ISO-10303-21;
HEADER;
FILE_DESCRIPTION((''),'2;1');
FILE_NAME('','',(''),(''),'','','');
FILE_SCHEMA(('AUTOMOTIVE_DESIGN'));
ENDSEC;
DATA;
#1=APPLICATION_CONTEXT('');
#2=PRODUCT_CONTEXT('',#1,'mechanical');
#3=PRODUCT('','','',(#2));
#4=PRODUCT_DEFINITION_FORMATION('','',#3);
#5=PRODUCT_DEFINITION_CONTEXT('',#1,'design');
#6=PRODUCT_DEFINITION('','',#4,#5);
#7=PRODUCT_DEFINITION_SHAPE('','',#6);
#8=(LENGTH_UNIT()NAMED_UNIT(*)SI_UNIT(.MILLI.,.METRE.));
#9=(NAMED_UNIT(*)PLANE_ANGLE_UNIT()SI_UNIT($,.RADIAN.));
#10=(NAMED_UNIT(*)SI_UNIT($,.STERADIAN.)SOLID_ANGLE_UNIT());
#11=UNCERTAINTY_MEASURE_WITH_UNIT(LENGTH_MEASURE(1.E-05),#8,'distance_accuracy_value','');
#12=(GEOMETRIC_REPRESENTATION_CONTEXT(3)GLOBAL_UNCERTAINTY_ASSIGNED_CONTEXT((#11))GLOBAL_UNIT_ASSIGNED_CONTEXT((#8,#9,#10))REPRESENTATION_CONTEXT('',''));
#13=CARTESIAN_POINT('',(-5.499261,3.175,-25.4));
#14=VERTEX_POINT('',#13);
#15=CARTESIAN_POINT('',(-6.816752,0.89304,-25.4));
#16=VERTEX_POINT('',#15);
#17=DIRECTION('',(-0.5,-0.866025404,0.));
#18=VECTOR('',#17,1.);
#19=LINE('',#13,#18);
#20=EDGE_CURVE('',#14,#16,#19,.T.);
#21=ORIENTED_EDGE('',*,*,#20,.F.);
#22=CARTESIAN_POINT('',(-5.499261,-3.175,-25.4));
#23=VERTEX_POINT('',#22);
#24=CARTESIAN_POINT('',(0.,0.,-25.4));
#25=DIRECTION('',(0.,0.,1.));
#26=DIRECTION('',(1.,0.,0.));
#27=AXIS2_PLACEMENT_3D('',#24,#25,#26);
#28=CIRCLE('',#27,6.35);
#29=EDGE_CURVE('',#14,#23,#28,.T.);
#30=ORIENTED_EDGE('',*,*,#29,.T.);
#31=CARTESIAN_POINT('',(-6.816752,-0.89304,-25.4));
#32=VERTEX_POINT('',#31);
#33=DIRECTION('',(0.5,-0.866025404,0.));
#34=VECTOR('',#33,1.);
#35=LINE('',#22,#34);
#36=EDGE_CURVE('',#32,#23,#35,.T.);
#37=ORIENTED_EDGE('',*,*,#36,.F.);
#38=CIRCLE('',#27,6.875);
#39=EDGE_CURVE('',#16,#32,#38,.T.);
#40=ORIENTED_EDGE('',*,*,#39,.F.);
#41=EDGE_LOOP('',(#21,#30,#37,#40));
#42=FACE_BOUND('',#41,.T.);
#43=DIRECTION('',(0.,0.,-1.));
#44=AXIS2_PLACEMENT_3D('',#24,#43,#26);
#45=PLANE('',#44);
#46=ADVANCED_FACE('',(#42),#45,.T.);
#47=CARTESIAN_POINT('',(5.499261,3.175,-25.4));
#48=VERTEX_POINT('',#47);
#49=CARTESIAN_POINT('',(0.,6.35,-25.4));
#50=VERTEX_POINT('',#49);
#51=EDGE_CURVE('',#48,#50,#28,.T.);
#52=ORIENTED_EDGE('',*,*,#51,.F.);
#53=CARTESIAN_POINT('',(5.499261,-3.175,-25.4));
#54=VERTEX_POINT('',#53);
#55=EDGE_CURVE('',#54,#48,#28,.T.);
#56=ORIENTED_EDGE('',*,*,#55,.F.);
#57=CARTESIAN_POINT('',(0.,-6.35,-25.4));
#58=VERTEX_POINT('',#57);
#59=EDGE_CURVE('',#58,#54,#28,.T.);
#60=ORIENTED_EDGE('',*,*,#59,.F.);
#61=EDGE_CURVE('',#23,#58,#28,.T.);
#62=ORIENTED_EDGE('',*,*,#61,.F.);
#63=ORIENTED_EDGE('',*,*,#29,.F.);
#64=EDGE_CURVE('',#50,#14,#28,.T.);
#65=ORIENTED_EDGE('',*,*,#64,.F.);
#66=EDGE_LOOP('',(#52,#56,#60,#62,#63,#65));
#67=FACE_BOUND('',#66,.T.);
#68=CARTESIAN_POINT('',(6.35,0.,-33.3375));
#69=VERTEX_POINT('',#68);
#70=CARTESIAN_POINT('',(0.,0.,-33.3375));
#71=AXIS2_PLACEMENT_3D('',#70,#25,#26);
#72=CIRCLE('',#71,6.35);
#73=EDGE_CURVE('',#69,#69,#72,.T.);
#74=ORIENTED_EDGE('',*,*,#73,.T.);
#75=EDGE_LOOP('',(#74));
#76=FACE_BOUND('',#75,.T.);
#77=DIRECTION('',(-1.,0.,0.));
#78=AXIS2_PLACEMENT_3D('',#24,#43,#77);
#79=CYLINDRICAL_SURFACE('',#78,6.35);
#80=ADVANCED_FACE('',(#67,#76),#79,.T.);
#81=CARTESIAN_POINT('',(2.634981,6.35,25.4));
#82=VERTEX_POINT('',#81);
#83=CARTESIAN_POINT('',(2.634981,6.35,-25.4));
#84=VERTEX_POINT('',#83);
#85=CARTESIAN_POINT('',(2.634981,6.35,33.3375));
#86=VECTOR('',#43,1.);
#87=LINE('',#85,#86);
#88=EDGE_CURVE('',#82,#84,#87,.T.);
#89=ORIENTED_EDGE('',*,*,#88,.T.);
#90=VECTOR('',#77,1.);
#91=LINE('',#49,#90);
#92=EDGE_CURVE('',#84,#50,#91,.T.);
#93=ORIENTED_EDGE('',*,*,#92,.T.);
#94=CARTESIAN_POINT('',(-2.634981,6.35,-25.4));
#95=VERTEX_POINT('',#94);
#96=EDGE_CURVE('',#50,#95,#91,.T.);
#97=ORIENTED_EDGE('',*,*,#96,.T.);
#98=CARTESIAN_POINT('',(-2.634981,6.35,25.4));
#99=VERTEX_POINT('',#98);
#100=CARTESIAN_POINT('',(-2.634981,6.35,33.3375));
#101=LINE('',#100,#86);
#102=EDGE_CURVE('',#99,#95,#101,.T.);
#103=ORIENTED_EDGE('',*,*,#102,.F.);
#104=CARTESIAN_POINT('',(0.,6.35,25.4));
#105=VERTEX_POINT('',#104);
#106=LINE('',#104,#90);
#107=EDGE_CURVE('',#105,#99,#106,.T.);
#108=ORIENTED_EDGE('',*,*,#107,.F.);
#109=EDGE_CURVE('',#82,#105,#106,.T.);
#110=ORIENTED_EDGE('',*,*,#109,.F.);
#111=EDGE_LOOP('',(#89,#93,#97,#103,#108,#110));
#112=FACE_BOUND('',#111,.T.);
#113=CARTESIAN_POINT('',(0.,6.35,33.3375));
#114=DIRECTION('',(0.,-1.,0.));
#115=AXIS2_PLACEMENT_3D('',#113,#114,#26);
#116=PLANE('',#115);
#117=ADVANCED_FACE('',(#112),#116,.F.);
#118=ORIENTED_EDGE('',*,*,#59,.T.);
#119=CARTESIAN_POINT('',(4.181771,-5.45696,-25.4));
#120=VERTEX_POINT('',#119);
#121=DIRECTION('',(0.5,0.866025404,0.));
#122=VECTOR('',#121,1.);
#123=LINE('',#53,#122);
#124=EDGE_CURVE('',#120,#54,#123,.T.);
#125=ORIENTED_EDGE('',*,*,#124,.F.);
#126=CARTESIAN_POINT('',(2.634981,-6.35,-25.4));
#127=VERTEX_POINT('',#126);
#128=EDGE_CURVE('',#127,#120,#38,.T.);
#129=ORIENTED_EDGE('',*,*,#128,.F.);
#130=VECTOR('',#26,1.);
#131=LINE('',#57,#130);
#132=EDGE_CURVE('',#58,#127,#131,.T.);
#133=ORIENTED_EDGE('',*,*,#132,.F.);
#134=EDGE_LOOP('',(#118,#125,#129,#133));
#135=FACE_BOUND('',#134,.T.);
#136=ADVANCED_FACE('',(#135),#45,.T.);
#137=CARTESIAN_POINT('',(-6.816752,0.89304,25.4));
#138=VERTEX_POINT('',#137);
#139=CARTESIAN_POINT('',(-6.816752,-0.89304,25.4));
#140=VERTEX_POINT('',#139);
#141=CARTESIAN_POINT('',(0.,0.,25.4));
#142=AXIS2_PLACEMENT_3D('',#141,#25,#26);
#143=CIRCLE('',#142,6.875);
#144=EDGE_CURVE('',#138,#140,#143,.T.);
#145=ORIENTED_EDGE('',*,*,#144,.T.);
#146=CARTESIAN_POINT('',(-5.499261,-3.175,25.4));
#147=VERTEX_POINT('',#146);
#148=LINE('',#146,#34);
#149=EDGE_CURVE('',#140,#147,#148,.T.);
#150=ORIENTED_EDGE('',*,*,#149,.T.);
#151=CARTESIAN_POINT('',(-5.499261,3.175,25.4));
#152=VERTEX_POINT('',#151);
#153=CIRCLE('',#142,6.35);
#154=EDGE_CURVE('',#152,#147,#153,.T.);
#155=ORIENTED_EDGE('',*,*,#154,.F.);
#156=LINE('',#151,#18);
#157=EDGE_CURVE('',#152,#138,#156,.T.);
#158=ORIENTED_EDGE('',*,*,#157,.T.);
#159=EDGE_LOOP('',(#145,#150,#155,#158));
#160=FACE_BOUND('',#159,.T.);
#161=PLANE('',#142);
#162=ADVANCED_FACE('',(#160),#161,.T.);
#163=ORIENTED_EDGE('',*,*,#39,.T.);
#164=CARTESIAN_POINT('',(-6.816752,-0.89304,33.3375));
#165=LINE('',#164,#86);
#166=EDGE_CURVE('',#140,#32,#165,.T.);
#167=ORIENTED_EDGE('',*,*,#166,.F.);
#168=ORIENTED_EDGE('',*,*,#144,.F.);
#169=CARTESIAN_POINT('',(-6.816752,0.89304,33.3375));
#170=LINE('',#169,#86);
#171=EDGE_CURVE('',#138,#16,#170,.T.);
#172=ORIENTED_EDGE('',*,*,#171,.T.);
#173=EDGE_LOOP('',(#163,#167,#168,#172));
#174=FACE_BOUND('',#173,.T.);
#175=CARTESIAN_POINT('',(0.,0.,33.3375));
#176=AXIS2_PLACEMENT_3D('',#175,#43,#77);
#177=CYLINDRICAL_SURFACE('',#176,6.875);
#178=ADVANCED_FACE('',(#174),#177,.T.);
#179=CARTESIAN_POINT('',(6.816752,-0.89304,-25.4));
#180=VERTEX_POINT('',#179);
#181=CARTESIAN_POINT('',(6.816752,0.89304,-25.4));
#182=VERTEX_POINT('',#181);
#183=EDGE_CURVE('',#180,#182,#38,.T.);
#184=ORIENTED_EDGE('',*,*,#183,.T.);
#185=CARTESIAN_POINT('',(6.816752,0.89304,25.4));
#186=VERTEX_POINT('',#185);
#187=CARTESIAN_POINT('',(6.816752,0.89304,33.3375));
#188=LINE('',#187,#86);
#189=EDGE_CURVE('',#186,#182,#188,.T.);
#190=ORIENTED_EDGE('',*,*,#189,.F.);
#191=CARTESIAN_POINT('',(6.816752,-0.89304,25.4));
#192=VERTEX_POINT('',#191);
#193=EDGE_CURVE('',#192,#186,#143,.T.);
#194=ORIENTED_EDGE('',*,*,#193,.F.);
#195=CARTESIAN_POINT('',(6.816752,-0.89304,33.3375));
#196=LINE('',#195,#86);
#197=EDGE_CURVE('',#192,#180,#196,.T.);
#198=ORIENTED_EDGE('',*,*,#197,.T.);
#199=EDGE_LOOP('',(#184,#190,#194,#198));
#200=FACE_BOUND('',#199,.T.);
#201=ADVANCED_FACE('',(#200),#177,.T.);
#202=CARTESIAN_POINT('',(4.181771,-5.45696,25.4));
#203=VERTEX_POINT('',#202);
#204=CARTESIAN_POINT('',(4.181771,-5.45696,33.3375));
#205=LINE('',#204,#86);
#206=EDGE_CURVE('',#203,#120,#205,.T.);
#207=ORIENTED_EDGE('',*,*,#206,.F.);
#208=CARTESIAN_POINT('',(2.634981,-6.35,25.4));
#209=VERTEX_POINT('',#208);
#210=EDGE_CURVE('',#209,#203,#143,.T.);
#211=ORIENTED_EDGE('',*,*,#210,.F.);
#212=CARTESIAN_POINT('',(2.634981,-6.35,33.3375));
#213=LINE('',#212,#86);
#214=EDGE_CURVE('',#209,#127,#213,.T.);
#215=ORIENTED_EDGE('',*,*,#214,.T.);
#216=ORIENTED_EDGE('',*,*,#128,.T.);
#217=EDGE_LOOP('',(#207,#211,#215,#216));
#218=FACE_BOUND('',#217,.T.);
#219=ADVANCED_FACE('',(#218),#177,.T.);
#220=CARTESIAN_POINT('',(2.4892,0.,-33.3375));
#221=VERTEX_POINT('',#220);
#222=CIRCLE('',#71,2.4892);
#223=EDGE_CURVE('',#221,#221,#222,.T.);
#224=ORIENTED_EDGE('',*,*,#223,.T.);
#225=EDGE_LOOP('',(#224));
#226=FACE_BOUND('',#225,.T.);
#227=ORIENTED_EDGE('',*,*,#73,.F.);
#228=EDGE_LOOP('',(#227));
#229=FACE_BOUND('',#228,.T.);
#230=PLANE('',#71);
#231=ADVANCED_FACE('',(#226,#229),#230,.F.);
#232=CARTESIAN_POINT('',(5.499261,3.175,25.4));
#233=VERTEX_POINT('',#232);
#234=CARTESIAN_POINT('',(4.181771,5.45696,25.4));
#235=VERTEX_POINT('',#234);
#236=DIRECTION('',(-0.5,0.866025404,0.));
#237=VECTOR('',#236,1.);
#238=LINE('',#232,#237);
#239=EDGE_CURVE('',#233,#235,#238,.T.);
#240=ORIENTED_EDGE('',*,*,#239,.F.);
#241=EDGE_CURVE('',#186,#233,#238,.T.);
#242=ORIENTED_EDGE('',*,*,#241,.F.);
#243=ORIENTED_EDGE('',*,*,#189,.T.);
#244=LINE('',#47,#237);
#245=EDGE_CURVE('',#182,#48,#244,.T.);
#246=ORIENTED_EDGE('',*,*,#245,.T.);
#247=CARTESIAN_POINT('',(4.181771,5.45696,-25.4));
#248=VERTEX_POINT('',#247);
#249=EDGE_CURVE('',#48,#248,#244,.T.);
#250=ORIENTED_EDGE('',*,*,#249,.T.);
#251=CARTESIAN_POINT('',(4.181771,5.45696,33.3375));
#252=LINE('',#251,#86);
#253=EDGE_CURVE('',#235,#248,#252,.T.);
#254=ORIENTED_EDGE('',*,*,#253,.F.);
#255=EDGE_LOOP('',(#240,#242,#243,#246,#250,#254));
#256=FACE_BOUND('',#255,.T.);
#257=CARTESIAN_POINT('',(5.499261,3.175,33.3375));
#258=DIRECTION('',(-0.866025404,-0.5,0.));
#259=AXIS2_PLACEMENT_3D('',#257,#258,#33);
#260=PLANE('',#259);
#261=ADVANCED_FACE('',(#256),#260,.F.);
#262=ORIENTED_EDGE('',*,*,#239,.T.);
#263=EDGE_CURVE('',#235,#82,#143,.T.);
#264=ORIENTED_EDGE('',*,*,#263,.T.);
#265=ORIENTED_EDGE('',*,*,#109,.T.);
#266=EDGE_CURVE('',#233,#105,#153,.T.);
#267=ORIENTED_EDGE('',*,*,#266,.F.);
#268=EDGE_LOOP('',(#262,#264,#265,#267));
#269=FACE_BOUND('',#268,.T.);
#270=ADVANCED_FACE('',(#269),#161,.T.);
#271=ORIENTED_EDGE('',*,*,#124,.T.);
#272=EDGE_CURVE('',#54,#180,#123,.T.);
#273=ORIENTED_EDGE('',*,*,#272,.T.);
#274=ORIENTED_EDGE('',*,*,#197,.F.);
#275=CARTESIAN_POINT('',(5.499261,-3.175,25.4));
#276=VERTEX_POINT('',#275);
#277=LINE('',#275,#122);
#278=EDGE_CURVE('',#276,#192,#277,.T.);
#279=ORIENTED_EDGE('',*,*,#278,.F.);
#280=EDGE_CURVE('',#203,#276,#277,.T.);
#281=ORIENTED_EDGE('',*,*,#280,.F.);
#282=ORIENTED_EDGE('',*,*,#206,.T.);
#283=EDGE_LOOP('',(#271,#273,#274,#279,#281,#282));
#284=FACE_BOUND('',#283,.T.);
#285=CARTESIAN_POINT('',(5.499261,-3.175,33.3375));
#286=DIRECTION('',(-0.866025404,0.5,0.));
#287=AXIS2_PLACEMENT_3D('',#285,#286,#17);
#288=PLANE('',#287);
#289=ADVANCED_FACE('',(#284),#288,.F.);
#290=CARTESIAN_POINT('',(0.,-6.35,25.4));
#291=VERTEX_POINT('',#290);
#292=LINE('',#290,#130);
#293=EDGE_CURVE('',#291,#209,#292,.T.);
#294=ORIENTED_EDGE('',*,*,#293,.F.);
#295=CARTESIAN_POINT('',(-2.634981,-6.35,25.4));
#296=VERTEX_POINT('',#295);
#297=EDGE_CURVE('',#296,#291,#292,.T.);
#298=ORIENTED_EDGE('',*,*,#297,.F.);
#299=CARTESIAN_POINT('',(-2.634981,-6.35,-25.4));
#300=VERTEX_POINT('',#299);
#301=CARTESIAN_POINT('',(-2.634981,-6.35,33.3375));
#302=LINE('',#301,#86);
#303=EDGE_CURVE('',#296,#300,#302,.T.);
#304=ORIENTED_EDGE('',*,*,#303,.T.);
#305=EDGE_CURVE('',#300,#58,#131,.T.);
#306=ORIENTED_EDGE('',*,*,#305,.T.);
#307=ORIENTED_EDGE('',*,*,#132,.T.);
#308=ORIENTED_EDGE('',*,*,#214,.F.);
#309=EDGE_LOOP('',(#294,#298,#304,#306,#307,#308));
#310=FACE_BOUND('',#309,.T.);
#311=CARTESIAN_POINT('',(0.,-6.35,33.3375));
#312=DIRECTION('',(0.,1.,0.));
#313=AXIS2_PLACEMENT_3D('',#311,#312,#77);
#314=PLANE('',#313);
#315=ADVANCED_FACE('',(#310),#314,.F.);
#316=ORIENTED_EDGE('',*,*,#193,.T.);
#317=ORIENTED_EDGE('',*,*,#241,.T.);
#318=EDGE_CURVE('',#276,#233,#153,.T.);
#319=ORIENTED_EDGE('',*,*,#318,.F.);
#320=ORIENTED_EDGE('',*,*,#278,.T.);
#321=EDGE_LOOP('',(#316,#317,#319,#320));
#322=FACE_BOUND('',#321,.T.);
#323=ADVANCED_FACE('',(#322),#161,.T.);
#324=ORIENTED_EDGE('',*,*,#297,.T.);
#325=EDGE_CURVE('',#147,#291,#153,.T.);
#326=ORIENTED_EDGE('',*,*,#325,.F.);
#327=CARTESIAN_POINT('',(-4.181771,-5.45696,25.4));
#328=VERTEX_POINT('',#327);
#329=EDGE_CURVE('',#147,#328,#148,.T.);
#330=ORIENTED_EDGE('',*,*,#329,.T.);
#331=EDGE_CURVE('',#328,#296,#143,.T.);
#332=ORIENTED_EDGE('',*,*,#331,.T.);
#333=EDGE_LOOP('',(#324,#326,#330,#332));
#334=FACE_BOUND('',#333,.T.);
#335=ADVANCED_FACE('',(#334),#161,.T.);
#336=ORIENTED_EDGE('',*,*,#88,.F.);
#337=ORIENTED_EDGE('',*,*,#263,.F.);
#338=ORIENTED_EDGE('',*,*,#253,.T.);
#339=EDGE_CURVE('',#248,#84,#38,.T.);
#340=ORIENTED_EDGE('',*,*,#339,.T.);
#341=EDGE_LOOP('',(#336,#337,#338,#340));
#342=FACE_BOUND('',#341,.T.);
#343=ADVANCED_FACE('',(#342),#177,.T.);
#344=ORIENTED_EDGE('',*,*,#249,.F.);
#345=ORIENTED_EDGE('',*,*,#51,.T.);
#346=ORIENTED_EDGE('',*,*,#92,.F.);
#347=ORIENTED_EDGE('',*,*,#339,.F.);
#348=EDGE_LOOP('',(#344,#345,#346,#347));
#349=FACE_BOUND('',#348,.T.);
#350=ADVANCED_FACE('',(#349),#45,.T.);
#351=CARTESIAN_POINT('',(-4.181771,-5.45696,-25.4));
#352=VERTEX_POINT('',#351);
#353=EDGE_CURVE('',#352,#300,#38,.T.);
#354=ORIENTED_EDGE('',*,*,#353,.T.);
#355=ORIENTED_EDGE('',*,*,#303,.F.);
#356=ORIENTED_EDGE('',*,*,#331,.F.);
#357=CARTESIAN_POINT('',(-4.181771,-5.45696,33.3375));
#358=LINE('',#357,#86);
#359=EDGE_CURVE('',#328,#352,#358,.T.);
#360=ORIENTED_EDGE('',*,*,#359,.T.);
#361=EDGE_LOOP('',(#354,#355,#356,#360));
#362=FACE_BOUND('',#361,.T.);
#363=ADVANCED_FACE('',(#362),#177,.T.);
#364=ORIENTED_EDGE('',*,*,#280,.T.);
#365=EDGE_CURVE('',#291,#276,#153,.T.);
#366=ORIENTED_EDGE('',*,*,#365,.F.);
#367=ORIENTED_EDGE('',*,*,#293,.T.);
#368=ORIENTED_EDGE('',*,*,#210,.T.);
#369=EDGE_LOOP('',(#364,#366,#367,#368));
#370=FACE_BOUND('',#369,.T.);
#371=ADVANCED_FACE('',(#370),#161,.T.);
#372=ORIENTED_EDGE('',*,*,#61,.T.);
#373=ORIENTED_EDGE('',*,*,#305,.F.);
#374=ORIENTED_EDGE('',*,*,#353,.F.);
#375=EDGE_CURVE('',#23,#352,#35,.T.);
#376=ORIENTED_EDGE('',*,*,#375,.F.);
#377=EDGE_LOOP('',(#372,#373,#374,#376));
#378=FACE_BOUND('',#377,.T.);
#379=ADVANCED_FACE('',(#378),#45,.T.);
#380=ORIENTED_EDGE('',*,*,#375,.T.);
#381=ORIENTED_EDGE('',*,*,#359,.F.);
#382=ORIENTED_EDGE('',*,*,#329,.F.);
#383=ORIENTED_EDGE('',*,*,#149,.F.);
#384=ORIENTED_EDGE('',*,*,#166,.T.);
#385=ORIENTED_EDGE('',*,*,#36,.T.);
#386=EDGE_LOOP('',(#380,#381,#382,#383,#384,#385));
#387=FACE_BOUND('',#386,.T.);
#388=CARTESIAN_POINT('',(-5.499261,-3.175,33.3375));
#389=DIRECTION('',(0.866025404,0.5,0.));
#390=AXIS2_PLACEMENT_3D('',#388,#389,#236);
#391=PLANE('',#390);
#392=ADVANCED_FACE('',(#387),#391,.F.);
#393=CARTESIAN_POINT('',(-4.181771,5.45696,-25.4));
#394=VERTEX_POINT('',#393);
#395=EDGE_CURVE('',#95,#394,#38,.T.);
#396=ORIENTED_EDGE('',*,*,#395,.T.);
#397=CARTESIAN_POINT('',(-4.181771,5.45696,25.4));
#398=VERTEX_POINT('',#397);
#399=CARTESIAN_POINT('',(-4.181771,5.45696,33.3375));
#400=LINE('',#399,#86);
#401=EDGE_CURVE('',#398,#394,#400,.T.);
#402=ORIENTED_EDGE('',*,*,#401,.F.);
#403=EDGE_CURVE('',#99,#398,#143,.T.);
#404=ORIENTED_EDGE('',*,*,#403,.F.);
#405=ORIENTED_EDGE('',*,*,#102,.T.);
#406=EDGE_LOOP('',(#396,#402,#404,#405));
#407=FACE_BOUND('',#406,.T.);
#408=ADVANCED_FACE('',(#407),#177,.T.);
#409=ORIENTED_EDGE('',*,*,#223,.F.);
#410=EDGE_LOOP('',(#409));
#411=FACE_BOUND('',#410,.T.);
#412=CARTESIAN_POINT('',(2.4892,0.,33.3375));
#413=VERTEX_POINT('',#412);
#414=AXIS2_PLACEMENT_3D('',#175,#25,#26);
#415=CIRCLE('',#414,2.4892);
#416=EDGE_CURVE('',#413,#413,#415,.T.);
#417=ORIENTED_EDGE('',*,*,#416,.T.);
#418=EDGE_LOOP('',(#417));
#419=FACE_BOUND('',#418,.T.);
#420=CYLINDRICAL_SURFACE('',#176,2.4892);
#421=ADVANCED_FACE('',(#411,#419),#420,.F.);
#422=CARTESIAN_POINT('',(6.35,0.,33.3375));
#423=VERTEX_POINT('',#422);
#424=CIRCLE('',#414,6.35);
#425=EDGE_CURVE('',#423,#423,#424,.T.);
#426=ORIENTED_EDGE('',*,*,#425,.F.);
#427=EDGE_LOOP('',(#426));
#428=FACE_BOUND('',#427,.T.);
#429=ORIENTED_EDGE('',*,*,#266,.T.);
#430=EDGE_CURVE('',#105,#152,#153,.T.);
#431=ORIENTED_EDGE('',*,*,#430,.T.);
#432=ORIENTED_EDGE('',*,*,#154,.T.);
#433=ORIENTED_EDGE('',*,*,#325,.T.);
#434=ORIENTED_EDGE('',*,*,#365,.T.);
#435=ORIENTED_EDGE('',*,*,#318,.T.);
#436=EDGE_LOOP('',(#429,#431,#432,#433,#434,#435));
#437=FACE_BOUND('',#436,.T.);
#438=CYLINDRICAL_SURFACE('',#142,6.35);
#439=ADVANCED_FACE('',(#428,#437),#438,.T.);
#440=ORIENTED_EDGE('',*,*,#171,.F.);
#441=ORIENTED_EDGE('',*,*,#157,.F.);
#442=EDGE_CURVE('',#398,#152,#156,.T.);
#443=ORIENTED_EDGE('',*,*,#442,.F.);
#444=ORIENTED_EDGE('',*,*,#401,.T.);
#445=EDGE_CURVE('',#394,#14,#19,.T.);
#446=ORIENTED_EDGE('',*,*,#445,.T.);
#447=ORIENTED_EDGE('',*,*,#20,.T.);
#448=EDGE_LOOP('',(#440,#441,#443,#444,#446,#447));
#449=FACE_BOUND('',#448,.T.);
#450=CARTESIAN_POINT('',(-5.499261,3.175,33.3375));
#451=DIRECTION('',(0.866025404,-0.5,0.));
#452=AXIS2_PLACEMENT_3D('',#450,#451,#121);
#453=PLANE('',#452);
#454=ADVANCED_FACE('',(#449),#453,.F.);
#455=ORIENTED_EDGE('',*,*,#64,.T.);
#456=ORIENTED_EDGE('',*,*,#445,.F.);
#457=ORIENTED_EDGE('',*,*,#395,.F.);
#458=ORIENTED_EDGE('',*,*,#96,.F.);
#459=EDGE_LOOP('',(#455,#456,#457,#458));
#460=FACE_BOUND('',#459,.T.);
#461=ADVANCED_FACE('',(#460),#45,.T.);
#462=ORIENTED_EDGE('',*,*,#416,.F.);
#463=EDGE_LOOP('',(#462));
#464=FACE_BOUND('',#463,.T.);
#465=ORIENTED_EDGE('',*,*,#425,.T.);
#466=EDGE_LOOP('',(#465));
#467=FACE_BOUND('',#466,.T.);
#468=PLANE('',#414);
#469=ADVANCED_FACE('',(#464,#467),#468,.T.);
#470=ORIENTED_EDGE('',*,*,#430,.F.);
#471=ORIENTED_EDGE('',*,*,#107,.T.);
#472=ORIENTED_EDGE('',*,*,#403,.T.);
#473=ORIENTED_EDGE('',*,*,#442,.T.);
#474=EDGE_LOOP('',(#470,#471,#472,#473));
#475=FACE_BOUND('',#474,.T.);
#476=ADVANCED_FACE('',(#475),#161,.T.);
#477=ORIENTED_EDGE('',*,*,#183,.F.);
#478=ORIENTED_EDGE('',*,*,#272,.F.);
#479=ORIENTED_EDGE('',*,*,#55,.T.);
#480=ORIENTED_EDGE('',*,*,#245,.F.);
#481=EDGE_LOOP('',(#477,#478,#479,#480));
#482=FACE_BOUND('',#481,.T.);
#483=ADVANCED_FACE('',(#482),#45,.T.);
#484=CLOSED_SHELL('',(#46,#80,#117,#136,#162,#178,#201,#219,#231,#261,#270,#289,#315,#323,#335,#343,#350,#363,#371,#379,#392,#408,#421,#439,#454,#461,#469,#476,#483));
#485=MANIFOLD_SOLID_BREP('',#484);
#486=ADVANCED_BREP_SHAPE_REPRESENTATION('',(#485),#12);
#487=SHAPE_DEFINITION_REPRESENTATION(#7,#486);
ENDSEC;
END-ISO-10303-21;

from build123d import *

# Parameters (mm, degrees)
SKETCH1_R           = 2.4892
BOSS_EXTRUDE1_DEPTH = 33.3375
CUT_EXTRUDE2_DEPTH  = 7.9375


with BuildPart() as part:
    # Sketch1 → Boss-Extrude1 (new, symmetric)
    with BuildSketch(Plane.XY):
        with BuildLine():
            ThreePointArc((-2.634980936, 6.35), (-3.437499983, 5.953924622), (-4.181770846, 5.456960429))
            Line((-4.181770846, 5.456960429), (-6.816751782, 0.893039571))
            ThreePointArc((-6.816751782, 0.893039571), (-6.874999966, 0), (-6.816751782, -0.893039571))
            Line((-6.816751782, -0.893039571), (-4.181770846, -5.456960429))
            ThreePointArc((-4.181770846, -5.456960429), (-3.437499983, -5.953924622), (-2.634980936, -6.35))
            Line((-2.634980936, -6.35), (2.634980936, -6.35))
            ThreePointArc((2.634980936, -6.35), (3.437499983, -5.953924622), (4.181770846, -5.456960429))
            Line((4.181770846, -5.456960429), (6.816751782, -0.893039571))
            ThreePointArc((6.816751782, -0.893039571), (6.860422465, -0.447468582), (6.874999966, 0))
            ThreePointArc((6.874999966, 0), (6.860422465, 0.447468582), (6.816751782, 0.893039571))
            Line((6.816751782, 0.893039571), (4.181770846, 5.456960429))
            ThreePointArc((4.181770846, 5.456960429), (3.437499983, 5.953924622), (2.634980936, 6.35))
            Line((2.634980936, 6.35), (-2.634980936, 6.35))
        make_face()
        Circle(SKETCH1_R, mode=Mode.SUBTRACT)
    extrude(amount=BOSS_EXTRUDE1_DEPTH, both=True)

    # Sketch2 → Cut-Extrude2 (cut)
    with BuildSketch(Plane.XY.offset(33.3375)):
        with BuildLine():
            ThreePointArc((-5.499261332, 3.174999968), (-3.175000008, 5.499261309), (1.8e-08, 6.35))
            Line((1.8e-08, 6.35), (-2.634980936, 6.35))
            ThreePointArc((-2.634980936, 6.35), (-3.437499983, 5.953924622), (-4.181770846, 5.456960429))
            Line((-4.181770846, 5.456960429), (-5.499261332, 3.174999968))
        make_face()
        with BuildLine():
            ThreePointArc((1.8e-08, 6.35), (3.175000042, 5.49926129), (5.499261354, 3.174999932))
            Line((5.499261354, 3.174999932), (4.181770846, 5.456960429))
            ThreePointArc((4.181770846, 5.456960429), (3.437499983, 5.953924622), (2.634980936, 6.35))
            Line((2.634980936, 6.35), (1.8e-08, 6.35))
        make_face()
        with BuildLine():
            ThreePointArc((5.499261354, 3.174999932), (6.133629007, 1.643500898), (6.35, 0))
            ThreePointArc((6.35, 0), (6.133629, -1.643500924), (5.499261327, -3.174999977))
            Line((5.499261327, -3.174999977), (6.816751782, -0.893039571))
            ThreePointArc((6.816751782, -0.893039571), (6.874999966, 0), (6.816751782, 0.893039571))
            Line((6.816751782, 0.893039571), (5.499261354, 3.174999932))
        make_face()
        with BuildLine():
            Line((4.181770846, -5.456960429), (5.499261327, -3.174999977))
            ThreePointArc((5.499261327, -3.174999977), (3.175000011, -5.499261308), (0, -6.35))
            Line((0, -6.35), (2.634980936, -6.35))
            ThreePointArc((2.634980936, -6.35), (3.437499983, -5.953924622), (4.181770846, -5.456960429))
        make_face()
        with BuildLine():
            Line((-2.634980936, -6.35), (0, -6.35))
            ThreePointArc((0, -6.35), (-3.174999938, -5.49926135), (-5.499261242, -3.175000124))
            Line((-5.499261242, -3.175000124), (-4.181770846, -5.456960429))
            ThreePointArc((-4.181770846, -5.456960429), (-3.437499983, -5.953924622), (-2.634980936, -6.35))
        make_face()
        with BuildLine():
            ThreePointArc((-5.499261242, -3.175000124), (-6.35, -9e-08), (-5.499261332, 3.174999968))
            Line((-5.499261332, 3.174999968), (-6.816751782, 0.893039571))
            ThreePointArc((-6.816751782, 0.893039571), (-6.874999966, 0), (-6.816751782, -0.893039571))
            Line((-6.816751782, -0.893039571), (-5.499261242, -3.175000124))
        make_face()
    cut_extrude2 = extrude(amount=-CUT_EXTRUDE2_DEPTH, mode=Mode.SUBTRACT)

    # Mirror1: Cut-Extrude2 across plane
    add(cut_extrude2.mirror(Plane.XY), mode=Mode.SUBTRACT)


solid = part.part
